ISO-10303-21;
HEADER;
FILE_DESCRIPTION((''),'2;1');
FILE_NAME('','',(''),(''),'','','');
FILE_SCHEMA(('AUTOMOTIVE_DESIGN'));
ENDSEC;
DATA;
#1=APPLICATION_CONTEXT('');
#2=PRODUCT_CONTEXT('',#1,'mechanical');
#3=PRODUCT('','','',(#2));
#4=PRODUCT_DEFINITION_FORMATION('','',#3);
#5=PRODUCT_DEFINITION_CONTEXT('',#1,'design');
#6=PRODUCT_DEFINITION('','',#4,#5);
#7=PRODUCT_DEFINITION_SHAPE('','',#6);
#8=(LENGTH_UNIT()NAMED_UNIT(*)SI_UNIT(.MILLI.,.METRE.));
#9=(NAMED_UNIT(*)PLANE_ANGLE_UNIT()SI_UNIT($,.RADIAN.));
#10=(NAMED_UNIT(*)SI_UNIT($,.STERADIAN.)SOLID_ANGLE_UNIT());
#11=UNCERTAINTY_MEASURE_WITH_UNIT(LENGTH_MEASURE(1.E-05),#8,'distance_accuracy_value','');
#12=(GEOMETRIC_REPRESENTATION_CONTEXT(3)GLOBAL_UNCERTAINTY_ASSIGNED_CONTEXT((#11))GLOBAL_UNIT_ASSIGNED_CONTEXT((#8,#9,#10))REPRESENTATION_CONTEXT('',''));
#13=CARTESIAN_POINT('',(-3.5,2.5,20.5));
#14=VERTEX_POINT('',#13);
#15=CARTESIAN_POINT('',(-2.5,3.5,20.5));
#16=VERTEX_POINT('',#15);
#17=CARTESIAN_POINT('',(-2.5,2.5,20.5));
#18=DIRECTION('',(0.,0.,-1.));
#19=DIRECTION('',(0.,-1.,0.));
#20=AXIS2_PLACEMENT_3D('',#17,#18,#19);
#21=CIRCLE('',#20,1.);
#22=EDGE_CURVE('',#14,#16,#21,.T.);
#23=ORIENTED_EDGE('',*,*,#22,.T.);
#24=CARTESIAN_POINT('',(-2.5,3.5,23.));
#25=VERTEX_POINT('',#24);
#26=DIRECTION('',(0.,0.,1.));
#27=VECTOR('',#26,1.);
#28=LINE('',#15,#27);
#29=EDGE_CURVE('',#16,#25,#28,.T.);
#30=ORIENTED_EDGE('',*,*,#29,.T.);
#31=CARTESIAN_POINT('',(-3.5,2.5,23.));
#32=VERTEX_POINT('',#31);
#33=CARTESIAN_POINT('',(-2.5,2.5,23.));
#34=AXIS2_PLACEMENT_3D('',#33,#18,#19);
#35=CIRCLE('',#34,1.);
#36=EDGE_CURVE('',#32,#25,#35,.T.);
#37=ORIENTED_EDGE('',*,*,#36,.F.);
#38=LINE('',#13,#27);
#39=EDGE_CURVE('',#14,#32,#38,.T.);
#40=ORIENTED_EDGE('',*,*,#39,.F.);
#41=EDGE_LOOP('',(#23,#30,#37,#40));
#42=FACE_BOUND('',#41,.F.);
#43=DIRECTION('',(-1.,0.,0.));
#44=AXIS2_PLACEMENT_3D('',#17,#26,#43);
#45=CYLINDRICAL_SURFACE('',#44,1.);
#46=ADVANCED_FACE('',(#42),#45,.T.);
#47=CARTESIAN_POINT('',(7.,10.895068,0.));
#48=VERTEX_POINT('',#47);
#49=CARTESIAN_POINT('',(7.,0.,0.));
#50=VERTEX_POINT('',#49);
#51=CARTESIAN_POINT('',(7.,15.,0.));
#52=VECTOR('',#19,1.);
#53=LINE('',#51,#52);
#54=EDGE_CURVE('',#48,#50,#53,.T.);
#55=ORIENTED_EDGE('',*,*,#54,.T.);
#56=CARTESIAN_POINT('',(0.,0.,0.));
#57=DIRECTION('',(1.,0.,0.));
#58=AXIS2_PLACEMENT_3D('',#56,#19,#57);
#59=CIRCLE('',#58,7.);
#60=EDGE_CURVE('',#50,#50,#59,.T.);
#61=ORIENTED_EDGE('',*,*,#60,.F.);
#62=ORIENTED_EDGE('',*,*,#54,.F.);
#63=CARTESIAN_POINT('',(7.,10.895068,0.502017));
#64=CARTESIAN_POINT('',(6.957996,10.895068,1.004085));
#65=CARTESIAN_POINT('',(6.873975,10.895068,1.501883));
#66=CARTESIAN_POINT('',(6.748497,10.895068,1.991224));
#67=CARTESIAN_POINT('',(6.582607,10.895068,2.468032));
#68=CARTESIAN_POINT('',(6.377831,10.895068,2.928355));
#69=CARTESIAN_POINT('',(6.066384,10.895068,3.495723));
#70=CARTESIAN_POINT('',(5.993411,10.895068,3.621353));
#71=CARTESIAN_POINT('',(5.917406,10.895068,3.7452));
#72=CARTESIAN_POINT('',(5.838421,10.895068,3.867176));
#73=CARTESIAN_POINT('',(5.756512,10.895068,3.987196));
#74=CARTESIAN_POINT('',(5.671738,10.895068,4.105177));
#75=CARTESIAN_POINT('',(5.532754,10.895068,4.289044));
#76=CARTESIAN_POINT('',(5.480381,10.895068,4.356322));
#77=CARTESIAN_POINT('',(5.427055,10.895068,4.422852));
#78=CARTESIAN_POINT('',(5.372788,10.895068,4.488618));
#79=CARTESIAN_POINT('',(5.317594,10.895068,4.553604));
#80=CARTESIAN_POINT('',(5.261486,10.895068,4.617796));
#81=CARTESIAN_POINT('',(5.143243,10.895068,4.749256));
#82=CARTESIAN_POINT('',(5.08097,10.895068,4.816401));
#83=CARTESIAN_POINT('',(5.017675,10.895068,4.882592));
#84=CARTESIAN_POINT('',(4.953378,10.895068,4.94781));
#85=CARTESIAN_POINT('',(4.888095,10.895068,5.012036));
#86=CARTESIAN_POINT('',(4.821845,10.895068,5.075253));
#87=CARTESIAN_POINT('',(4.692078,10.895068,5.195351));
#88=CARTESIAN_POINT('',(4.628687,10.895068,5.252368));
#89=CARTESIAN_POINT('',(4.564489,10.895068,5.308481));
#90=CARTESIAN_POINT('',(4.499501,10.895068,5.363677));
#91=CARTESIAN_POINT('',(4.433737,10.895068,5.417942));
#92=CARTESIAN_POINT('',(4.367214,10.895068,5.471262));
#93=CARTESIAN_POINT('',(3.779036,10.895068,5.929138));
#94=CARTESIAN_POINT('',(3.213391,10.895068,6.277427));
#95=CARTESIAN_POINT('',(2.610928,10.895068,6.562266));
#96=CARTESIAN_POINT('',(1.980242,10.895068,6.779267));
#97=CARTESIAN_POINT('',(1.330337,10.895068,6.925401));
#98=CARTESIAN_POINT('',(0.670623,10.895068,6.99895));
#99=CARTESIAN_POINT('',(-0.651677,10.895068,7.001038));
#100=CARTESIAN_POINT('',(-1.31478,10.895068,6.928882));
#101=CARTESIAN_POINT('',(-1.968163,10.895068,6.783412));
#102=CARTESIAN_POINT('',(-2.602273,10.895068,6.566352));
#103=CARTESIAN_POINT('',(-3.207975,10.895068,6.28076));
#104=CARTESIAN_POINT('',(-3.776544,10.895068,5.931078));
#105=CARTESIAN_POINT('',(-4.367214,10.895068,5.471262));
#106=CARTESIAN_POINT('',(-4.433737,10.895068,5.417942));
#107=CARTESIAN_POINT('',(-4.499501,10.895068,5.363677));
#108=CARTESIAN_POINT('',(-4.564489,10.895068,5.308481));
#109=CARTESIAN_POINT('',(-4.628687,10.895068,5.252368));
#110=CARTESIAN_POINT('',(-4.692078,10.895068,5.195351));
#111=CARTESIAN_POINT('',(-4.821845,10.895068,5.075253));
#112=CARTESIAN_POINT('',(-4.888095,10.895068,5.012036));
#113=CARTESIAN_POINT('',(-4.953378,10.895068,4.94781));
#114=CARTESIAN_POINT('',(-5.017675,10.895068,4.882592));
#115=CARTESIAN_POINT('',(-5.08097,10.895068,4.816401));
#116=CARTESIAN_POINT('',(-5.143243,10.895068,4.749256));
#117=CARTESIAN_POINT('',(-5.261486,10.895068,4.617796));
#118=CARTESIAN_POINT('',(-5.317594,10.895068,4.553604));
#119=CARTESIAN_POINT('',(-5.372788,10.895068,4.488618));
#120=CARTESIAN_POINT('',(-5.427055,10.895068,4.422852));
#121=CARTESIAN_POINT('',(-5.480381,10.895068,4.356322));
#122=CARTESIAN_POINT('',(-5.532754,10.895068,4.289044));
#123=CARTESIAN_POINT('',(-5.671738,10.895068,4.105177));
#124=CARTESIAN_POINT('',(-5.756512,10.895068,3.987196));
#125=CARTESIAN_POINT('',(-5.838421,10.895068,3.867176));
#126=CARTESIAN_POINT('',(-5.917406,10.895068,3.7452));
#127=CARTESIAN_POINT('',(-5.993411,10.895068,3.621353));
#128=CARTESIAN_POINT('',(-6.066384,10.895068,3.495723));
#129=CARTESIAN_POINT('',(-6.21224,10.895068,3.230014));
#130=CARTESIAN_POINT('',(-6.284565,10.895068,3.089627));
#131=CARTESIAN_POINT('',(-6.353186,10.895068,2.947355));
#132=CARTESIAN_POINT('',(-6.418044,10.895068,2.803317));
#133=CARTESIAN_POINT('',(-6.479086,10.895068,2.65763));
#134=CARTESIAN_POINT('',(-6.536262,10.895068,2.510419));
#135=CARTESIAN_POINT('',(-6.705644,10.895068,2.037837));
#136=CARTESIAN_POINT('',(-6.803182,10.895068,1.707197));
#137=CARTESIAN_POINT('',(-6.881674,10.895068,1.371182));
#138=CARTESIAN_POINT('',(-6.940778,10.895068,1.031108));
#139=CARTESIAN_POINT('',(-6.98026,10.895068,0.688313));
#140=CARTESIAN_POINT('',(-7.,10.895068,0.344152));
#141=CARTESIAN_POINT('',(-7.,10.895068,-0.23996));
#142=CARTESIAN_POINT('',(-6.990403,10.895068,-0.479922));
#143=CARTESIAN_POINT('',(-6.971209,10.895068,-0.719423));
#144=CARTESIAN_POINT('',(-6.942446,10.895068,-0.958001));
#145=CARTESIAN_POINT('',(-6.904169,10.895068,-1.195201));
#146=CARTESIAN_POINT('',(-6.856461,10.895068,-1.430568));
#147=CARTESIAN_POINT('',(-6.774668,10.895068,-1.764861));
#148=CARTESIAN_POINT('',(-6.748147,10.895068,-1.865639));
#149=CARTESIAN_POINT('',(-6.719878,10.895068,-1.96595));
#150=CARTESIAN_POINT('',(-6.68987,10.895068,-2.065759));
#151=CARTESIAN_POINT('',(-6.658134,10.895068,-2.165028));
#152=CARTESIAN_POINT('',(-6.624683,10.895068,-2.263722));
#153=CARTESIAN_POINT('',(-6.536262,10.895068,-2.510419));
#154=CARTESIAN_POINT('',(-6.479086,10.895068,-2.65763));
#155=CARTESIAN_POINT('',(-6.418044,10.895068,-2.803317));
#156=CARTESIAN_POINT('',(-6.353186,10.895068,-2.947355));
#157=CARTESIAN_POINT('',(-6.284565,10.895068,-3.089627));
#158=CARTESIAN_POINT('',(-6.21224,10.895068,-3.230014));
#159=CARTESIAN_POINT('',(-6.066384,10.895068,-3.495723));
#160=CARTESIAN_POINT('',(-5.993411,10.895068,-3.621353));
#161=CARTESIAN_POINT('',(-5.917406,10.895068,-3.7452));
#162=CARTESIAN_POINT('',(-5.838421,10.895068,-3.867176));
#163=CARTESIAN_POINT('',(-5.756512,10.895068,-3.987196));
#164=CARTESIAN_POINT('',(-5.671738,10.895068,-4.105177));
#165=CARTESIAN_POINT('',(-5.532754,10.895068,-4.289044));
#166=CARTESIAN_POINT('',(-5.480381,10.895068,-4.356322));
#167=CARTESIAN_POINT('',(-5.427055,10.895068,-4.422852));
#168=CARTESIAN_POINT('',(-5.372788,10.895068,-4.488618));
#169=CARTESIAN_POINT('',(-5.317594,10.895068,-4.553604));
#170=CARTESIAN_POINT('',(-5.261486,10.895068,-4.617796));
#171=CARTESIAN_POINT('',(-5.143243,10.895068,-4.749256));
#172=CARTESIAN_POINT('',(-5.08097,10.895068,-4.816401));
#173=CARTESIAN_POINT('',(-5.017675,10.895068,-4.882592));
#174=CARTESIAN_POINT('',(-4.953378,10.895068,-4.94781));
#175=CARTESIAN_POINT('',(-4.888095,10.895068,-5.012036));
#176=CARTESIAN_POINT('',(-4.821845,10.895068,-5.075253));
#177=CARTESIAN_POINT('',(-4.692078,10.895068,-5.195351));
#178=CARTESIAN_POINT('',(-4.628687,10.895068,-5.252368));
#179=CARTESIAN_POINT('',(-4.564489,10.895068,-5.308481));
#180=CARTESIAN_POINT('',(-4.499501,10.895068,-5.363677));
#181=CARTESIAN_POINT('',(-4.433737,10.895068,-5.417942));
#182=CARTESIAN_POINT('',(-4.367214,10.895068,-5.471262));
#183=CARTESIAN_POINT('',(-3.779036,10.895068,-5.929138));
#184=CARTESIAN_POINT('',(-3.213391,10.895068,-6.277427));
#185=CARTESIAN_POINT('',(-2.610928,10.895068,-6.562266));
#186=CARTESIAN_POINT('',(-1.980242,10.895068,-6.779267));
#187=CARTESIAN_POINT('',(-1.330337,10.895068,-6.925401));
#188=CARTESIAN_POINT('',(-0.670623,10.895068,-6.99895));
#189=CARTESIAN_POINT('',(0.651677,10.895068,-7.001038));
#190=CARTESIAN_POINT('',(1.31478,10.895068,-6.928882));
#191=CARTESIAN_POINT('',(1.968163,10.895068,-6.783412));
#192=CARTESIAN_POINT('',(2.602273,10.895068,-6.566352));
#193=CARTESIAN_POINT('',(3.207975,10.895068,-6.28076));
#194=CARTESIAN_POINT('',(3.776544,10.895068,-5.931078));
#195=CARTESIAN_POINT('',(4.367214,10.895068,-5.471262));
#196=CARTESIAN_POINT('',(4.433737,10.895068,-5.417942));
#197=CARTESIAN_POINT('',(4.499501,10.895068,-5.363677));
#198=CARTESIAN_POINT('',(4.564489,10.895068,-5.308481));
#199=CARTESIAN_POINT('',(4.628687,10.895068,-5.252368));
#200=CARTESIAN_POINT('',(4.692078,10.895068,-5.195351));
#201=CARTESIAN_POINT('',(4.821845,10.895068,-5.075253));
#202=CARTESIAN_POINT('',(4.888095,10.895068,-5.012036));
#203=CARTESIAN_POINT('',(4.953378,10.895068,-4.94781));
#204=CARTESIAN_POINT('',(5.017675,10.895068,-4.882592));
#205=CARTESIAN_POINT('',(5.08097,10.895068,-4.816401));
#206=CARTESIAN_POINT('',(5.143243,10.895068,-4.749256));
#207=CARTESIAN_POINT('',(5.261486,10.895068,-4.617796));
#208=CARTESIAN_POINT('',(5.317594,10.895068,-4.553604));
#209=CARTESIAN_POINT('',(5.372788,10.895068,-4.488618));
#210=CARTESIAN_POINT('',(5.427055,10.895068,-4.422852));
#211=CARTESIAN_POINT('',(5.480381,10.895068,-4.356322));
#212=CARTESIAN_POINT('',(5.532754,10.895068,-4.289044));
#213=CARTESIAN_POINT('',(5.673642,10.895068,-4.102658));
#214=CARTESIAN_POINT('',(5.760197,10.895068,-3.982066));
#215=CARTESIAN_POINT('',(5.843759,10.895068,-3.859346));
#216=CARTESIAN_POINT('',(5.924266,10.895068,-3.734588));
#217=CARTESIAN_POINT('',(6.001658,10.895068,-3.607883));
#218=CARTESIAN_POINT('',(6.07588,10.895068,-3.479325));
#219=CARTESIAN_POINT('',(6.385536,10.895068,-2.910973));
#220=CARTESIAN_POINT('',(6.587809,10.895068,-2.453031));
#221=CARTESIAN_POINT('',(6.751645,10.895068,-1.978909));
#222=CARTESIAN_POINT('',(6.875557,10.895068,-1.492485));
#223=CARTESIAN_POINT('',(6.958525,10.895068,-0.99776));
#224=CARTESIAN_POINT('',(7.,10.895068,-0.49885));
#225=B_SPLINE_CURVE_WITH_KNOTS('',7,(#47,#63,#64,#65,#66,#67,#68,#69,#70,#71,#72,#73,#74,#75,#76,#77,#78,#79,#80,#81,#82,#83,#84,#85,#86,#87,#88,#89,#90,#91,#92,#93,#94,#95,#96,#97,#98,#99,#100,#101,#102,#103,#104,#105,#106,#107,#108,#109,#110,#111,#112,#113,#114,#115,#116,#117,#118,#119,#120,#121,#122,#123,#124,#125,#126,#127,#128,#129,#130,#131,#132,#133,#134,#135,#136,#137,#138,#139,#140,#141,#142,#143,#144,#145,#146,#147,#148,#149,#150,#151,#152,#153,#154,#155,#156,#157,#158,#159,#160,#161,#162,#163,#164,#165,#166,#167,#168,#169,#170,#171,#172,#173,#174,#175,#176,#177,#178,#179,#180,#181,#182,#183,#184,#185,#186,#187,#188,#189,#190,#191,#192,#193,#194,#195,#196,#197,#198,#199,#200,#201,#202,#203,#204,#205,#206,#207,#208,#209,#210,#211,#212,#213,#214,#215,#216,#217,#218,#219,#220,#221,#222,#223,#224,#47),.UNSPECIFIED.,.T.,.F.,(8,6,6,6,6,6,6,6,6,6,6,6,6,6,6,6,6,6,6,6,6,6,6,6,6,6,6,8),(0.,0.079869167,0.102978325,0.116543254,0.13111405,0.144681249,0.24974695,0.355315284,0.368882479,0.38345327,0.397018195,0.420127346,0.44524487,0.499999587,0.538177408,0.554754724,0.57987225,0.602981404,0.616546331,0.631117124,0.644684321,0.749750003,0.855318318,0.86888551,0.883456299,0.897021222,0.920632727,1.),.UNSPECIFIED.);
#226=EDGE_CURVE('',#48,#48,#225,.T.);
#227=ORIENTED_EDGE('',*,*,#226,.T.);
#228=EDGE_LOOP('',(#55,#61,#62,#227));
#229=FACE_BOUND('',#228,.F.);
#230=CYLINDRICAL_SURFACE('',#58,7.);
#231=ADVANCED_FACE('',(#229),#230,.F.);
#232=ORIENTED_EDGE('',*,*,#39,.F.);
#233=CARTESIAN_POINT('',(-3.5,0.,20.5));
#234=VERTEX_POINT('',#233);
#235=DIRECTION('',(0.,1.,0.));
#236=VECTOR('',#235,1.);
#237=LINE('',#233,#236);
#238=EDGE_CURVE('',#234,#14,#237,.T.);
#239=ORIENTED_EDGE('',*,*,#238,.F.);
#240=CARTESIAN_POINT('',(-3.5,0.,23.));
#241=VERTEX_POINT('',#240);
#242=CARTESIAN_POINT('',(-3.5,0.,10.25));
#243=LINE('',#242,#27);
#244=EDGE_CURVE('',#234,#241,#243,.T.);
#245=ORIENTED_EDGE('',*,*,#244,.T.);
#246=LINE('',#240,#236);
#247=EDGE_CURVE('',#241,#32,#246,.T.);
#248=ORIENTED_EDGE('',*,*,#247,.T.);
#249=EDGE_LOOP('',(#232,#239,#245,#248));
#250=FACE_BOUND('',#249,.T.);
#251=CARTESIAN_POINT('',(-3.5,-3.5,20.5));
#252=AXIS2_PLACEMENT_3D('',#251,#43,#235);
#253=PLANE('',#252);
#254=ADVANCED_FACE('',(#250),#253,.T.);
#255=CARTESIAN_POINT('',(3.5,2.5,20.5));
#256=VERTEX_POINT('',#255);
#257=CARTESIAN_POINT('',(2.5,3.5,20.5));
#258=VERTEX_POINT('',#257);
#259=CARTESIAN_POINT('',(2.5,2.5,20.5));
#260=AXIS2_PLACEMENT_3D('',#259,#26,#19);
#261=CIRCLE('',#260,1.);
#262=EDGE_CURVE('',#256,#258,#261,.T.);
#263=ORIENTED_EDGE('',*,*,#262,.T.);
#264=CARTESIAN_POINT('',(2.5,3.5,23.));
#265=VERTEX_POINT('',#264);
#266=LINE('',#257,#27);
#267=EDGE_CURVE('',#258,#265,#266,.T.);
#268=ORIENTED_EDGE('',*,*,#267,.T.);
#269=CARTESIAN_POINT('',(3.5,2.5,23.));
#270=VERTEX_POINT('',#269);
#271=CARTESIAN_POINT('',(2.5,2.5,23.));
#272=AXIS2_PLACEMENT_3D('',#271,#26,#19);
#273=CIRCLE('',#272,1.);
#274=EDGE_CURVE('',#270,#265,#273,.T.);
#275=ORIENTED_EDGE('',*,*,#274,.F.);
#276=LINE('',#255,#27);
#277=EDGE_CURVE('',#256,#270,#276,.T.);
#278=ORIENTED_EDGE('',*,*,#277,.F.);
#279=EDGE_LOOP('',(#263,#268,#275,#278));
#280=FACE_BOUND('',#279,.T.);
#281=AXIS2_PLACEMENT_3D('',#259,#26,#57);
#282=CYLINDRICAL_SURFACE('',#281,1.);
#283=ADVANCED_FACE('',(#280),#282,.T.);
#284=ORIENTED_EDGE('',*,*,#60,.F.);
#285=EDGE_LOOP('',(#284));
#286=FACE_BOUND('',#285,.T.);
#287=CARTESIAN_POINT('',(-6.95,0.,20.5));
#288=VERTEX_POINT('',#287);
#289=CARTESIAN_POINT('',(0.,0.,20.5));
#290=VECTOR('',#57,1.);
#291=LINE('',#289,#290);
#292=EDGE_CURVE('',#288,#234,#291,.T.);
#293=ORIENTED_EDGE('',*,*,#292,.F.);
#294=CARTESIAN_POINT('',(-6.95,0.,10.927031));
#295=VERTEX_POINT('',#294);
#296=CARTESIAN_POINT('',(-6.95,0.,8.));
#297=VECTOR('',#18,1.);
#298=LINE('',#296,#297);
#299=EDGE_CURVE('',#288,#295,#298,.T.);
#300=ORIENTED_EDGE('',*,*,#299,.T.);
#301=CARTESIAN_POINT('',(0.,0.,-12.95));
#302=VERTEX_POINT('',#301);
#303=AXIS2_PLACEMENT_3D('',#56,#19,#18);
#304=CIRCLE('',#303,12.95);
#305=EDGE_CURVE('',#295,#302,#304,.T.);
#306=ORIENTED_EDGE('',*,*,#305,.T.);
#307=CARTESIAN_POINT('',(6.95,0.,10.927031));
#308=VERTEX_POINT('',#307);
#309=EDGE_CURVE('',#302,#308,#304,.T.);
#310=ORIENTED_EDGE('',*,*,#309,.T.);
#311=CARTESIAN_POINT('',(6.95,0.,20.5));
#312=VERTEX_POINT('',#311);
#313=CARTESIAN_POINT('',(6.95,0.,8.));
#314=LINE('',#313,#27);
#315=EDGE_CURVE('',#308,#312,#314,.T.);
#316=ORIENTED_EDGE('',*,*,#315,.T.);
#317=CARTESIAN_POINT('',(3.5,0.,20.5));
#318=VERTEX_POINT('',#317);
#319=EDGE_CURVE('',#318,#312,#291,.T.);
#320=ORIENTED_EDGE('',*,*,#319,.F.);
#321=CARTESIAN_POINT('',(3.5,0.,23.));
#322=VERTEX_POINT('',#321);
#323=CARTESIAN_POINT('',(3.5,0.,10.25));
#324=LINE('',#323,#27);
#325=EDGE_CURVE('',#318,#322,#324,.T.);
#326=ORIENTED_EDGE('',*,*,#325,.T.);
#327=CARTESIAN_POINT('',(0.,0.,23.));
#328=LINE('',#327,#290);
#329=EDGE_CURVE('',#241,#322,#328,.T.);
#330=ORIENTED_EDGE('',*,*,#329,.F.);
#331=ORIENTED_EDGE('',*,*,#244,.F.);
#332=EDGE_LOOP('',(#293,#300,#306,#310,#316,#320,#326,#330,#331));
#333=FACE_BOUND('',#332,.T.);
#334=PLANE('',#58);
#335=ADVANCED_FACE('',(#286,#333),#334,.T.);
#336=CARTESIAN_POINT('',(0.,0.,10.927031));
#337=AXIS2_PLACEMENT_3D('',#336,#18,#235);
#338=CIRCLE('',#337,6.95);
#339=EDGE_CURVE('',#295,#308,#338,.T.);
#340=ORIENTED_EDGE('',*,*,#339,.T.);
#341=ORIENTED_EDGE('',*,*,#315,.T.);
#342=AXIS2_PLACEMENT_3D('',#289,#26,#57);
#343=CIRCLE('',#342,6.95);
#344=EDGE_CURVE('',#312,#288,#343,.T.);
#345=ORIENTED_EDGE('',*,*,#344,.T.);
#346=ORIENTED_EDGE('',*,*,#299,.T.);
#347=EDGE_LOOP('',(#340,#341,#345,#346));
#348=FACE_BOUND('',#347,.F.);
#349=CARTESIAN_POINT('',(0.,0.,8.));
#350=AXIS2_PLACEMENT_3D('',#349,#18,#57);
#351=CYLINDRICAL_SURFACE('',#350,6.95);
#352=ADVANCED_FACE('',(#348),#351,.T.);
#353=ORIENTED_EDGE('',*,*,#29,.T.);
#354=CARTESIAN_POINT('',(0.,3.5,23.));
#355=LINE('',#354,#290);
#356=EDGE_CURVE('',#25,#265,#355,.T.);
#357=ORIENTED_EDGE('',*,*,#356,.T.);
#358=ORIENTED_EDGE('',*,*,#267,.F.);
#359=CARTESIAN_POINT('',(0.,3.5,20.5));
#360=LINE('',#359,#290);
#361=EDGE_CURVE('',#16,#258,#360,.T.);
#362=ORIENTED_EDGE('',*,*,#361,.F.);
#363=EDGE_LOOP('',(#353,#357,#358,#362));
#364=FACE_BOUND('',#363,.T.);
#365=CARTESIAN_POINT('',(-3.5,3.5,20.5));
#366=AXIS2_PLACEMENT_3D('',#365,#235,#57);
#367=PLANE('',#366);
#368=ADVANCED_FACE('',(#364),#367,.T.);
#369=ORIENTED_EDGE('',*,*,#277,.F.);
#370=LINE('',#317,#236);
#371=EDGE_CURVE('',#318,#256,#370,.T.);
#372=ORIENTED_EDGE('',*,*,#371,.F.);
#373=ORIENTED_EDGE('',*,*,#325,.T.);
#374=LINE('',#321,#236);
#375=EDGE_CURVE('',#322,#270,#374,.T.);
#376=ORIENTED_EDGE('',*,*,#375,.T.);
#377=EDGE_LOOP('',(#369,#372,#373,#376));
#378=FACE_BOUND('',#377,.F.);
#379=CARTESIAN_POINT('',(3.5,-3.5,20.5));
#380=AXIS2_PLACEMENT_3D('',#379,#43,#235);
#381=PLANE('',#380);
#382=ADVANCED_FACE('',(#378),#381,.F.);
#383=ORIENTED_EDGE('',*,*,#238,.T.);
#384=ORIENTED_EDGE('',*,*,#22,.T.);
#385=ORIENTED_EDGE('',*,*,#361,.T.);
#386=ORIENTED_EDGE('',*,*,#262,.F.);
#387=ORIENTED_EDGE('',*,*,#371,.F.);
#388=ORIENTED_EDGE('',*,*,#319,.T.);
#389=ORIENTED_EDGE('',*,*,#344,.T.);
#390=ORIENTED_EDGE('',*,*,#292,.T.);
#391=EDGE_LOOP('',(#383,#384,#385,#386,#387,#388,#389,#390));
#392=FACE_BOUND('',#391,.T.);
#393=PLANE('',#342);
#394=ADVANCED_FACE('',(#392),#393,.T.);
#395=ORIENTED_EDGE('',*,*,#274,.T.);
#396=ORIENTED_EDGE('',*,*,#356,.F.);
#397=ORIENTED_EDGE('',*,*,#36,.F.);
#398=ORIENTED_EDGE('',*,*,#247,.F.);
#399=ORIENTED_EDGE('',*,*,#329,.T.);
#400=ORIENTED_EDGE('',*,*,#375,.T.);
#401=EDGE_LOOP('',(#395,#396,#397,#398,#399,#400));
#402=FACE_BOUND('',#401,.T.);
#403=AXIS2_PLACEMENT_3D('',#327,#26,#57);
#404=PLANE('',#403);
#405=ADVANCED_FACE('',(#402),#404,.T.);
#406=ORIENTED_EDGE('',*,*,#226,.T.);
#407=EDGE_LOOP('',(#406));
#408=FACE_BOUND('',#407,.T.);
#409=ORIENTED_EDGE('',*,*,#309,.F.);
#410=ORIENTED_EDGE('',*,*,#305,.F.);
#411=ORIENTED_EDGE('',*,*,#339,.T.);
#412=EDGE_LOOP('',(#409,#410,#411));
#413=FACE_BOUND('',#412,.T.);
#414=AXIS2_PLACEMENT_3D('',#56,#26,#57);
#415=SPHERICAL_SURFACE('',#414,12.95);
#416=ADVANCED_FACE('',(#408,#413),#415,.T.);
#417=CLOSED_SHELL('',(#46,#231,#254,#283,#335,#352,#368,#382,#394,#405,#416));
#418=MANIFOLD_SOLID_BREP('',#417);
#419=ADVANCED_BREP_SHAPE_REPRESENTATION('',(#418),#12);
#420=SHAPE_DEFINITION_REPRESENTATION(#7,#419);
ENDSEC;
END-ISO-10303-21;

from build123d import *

# Parameters (mm, degrees)
SKETCH004_W      = 30
SKETCH004_H      = 50
EXTRUDE003_DEPTH = 20
SKETCH002_R      = 6.95
EXTRUDE001_DEPTH = 12.5
SKETCH001_R      = 7
EXTRUDE_DEPTH    = 15
SKETCH003_W      = 7
SKETCH003_H      = 7
EXTRUDE002_DEPTH = 2.5
FILLET_R         = 1


with BuildPart() as extrude003:
    # Sketch004 → Extrude003 (new body)
    with BuildSketch(Plane.XZ):
        Rectangle(SKETCH004_W, SKETCH004_H)
    extrude(amount=EXTRUDE003_DEPTH)


with BuildPart() as extrude001:
    # Sketch002 → Extrude001 (new body)
    with BuildSketch(Plane.XY.offset(8)):
        Circle(SKETCH002_R)
    extrude(amount=EXTRUDE001_DEPTH)


with BuildPart() as extrude_body:
    # Sketch001 → Extrude (new body, symmetric)
    with BuildSketch(Plane.XZ):
        Circle(SKETCH001_R)
    extrude(amount=EXTRUDE_DEPTH, both=True)


with BuildPart() as cut:
    # Sketch → Revolve (revolve)
    with BuildSketch(Plane.XZ):
        with BuildLine():
            ThreePointArc((0, -12.95), (12.95, 0), (0, 12.95))
            Line((0, 12.95), (0, -12.95))
        make_face()
    revolve(axis=Axis((0, 0, 0), (0, 0, 1)))

    # Cut: cut Extrude body
    add(extrude_body.part, mode=Mode.SUBTRACT)


with BuildPart() as cut001:
    # Sketch003 (on Face3 of Extrude001) → Extrude002 (new body)
    with BuildSketch(Plane.XY.offset(20.5)):
        Rectangle(SKETCH003_W, SKETCH003_H)
    extrude(amount=EXTRUDE002_DEPTH)

    # Fillet
    fillet_edges = [cut001.edges().sort_by_distance(p)[0] for p in [
        (-3.5, -3.5, 21.75),
        (3.5, -3.5, 21.75),
        (3.5, 3.5, 21.75),
        (-3.5, 3.5, 21.75),
    ]]
    fillet(fillet_edges, radius=FILLET_R)

    # Fusion: union Extrude001, Cut
    add(extrude001.part)
    add(cut.part)

    # Cut001: cut Extrude003
    add(extrude003.part, mode=Mode.SUBTRACT)


solid = cut001.part
